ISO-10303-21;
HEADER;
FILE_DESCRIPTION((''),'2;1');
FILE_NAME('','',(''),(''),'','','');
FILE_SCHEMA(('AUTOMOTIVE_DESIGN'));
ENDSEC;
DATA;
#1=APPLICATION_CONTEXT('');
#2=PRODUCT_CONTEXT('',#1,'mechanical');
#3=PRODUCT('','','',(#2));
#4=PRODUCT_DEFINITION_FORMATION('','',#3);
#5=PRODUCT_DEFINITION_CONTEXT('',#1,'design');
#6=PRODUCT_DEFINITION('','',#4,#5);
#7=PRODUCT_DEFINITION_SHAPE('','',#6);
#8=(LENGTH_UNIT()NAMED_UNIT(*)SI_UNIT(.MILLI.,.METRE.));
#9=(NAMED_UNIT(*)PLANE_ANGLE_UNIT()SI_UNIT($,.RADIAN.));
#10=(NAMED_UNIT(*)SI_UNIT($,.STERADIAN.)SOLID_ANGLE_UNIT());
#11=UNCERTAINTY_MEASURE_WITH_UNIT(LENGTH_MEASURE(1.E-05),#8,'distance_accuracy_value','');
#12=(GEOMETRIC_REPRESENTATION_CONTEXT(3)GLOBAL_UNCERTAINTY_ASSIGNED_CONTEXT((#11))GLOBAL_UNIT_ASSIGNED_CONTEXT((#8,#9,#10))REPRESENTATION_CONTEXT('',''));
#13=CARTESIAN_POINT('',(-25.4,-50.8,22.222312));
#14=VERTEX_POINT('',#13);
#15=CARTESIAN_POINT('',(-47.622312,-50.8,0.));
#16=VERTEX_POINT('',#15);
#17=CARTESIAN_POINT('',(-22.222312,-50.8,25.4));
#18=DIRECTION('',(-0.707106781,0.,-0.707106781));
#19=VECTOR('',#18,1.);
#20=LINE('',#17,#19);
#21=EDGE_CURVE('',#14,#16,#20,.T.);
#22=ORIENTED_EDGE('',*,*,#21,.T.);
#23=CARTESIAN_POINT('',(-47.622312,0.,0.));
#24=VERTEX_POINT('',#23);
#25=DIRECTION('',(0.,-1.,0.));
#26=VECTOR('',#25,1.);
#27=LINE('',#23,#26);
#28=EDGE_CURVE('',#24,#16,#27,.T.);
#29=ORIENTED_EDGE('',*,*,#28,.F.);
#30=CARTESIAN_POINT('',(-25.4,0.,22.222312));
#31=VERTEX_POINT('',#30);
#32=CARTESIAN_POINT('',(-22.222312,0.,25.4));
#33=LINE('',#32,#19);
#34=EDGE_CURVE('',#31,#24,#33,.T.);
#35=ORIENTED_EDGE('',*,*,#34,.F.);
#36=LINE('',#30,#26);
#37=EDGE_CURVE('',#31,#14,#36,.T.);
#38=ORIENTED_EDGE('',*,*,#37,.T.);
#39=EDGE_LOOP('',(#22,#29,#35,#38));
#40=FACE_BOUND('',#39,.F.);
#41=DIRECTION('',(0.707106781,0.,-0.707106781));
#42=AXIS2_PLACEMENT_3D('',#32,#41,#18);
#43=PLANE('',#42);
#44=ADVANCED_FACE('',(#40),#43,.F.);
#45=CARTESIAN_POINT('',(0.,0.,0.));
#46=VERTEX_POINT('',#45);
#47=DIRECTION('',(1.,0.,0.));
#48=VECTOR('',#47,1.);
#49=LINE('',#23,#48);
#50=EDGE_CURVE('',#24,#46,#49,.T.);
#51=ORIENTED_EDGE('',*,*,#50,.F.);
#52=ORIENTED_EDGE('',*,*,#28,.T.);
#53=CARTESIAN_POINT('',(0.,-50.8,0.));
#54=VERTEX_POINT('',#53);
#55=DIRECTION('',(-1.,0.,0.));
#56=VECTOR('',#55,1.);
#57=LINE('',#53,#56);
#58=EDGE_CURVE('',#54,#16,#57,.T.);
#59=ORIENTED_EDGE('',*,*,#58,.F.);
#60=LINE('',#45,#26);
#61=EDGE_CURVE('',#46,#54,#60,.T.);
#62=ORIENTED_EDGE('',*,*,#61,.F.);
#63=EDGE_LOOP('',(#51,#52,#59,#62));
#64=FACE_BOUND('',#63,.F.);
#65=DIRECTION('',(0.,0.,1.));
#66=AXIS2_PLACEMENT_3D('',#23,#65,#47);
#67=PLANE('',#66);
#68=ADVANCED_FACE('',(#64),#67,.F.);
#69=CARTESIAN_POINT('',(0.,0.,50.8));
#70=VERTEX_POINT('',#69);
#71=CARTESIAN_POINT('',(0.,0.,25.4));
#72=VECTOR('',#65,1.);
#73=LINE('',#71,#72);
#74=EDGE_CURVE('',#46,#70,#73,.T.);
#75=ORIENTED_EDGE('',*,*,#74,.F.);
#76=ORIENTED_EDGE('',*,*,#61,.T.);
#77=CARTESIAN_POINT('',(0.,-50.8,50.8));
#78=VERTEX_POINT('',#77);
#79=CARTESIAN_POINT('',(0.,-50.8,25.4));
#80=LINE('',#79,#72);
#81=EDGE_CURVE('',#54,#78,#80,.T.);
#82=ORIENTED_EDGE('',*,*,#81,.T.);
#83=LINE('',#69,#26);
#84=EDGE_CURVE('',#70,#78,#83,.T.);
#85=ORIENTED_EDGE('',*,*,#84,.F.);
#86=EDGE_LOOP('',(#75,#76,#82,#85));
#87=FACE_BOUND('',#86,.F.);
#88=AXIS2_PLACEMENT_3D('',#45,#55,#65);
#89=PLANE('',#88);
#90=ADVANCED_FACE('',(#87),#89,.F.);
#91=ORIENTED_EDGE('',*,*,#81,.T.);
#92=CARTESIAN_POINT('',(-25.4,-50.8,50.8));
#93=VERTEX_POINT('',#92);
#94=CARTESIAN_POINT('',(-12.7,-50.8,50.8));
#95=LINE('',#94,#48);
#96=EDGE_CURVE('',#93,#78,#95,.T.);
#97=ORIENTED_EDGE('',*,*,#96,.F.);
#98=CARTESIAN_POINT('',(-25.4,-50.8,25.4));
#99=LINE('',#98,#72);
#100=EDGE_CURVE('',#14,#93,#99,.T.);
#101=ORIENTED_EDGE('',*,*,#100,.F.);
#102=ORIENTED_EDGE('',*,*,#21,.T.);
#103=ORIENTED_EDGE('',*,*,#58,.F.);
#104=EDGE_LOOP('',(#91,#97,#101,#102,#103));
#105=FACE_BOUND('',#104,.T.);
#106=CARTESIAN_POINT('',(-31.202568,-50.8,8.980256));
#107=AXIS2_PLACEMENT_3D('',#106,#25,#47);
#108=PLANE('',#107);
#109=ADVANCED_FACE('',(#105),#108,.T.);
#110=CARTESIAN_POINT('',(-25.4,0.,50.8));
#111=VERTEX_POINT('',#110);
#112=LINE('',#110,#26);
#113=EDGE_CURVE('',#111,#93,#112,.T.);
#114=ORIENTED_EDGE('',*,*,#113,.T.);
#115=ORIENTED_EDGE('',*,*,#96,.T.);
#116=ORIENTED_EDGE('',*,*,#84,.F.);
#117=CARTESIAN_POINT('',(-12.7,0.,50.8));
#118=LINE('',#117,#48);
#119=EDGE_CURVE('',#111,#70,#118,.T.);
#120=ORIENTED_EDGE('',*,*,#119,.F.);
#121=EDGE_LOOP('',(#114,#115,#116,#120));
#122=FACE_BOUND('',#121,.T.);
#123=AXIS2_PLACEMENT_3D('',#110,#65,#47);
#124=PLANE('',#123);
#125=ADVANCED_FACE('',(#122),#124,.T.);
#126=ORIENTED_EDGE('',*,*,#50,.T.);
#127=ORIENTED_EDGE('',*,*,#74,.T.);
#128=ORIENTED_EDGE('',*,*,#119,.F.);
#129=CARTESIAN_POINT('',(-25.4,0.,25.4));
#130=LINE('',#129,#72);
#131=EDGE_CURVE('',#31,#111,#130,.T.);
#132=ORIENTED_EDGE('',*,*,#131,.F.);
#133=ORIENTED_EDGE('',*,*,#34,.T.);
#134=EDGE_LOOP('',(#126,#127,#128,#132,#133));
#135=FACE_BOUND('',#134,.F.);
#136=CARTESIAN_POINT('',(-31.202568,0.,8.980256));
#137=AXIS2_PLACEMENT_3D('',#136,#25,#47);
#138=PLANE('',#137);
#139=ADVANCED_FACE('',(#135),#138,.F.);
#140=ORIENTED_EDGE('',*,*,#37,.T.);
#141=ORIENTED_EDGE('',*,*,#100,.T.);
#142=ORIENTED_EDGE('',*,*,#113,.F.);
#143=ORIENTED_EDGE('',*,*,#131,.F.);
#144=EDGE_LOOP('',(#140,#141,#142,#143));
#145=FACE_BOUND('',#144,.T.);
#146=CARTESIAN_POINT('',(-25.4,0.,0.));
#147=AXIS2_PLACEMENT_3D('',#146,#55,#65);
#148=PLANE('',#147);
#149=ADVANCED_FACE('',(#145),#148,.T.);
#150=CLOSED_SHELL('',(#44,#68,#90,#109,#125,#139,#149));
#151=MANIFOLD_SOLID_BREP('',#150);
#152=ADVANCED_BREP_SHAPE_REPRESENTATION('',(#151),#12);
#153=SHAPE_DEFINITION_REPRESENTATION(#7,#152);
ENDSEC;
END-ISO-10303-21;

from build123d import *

# Parameters (mm, degrees)
F0_W     = 25.4
F0_H     = 50.8
F1_DEPTH = 50.8
F3_DEPTH = 50.8


with BuildPart() as f1:
    # F0 (on Front) → F1 (new body)
    with BuildSketch(Plane.XZ):
        with Locations((-12.7, 25.4)):
            Rectangle(F0_W, F0_H)
    extrude(amount=F1_DEPTH)

    # F2 (on Front) → F3 (join)
    with BuildSketch(Plane.XZ):
        Polygon((-47.622312, 0), (-22.222312, 0), (-22.222312, 25.4), align=None)
    extrude(amount=F3_DEPTH)


solid = f1.part
